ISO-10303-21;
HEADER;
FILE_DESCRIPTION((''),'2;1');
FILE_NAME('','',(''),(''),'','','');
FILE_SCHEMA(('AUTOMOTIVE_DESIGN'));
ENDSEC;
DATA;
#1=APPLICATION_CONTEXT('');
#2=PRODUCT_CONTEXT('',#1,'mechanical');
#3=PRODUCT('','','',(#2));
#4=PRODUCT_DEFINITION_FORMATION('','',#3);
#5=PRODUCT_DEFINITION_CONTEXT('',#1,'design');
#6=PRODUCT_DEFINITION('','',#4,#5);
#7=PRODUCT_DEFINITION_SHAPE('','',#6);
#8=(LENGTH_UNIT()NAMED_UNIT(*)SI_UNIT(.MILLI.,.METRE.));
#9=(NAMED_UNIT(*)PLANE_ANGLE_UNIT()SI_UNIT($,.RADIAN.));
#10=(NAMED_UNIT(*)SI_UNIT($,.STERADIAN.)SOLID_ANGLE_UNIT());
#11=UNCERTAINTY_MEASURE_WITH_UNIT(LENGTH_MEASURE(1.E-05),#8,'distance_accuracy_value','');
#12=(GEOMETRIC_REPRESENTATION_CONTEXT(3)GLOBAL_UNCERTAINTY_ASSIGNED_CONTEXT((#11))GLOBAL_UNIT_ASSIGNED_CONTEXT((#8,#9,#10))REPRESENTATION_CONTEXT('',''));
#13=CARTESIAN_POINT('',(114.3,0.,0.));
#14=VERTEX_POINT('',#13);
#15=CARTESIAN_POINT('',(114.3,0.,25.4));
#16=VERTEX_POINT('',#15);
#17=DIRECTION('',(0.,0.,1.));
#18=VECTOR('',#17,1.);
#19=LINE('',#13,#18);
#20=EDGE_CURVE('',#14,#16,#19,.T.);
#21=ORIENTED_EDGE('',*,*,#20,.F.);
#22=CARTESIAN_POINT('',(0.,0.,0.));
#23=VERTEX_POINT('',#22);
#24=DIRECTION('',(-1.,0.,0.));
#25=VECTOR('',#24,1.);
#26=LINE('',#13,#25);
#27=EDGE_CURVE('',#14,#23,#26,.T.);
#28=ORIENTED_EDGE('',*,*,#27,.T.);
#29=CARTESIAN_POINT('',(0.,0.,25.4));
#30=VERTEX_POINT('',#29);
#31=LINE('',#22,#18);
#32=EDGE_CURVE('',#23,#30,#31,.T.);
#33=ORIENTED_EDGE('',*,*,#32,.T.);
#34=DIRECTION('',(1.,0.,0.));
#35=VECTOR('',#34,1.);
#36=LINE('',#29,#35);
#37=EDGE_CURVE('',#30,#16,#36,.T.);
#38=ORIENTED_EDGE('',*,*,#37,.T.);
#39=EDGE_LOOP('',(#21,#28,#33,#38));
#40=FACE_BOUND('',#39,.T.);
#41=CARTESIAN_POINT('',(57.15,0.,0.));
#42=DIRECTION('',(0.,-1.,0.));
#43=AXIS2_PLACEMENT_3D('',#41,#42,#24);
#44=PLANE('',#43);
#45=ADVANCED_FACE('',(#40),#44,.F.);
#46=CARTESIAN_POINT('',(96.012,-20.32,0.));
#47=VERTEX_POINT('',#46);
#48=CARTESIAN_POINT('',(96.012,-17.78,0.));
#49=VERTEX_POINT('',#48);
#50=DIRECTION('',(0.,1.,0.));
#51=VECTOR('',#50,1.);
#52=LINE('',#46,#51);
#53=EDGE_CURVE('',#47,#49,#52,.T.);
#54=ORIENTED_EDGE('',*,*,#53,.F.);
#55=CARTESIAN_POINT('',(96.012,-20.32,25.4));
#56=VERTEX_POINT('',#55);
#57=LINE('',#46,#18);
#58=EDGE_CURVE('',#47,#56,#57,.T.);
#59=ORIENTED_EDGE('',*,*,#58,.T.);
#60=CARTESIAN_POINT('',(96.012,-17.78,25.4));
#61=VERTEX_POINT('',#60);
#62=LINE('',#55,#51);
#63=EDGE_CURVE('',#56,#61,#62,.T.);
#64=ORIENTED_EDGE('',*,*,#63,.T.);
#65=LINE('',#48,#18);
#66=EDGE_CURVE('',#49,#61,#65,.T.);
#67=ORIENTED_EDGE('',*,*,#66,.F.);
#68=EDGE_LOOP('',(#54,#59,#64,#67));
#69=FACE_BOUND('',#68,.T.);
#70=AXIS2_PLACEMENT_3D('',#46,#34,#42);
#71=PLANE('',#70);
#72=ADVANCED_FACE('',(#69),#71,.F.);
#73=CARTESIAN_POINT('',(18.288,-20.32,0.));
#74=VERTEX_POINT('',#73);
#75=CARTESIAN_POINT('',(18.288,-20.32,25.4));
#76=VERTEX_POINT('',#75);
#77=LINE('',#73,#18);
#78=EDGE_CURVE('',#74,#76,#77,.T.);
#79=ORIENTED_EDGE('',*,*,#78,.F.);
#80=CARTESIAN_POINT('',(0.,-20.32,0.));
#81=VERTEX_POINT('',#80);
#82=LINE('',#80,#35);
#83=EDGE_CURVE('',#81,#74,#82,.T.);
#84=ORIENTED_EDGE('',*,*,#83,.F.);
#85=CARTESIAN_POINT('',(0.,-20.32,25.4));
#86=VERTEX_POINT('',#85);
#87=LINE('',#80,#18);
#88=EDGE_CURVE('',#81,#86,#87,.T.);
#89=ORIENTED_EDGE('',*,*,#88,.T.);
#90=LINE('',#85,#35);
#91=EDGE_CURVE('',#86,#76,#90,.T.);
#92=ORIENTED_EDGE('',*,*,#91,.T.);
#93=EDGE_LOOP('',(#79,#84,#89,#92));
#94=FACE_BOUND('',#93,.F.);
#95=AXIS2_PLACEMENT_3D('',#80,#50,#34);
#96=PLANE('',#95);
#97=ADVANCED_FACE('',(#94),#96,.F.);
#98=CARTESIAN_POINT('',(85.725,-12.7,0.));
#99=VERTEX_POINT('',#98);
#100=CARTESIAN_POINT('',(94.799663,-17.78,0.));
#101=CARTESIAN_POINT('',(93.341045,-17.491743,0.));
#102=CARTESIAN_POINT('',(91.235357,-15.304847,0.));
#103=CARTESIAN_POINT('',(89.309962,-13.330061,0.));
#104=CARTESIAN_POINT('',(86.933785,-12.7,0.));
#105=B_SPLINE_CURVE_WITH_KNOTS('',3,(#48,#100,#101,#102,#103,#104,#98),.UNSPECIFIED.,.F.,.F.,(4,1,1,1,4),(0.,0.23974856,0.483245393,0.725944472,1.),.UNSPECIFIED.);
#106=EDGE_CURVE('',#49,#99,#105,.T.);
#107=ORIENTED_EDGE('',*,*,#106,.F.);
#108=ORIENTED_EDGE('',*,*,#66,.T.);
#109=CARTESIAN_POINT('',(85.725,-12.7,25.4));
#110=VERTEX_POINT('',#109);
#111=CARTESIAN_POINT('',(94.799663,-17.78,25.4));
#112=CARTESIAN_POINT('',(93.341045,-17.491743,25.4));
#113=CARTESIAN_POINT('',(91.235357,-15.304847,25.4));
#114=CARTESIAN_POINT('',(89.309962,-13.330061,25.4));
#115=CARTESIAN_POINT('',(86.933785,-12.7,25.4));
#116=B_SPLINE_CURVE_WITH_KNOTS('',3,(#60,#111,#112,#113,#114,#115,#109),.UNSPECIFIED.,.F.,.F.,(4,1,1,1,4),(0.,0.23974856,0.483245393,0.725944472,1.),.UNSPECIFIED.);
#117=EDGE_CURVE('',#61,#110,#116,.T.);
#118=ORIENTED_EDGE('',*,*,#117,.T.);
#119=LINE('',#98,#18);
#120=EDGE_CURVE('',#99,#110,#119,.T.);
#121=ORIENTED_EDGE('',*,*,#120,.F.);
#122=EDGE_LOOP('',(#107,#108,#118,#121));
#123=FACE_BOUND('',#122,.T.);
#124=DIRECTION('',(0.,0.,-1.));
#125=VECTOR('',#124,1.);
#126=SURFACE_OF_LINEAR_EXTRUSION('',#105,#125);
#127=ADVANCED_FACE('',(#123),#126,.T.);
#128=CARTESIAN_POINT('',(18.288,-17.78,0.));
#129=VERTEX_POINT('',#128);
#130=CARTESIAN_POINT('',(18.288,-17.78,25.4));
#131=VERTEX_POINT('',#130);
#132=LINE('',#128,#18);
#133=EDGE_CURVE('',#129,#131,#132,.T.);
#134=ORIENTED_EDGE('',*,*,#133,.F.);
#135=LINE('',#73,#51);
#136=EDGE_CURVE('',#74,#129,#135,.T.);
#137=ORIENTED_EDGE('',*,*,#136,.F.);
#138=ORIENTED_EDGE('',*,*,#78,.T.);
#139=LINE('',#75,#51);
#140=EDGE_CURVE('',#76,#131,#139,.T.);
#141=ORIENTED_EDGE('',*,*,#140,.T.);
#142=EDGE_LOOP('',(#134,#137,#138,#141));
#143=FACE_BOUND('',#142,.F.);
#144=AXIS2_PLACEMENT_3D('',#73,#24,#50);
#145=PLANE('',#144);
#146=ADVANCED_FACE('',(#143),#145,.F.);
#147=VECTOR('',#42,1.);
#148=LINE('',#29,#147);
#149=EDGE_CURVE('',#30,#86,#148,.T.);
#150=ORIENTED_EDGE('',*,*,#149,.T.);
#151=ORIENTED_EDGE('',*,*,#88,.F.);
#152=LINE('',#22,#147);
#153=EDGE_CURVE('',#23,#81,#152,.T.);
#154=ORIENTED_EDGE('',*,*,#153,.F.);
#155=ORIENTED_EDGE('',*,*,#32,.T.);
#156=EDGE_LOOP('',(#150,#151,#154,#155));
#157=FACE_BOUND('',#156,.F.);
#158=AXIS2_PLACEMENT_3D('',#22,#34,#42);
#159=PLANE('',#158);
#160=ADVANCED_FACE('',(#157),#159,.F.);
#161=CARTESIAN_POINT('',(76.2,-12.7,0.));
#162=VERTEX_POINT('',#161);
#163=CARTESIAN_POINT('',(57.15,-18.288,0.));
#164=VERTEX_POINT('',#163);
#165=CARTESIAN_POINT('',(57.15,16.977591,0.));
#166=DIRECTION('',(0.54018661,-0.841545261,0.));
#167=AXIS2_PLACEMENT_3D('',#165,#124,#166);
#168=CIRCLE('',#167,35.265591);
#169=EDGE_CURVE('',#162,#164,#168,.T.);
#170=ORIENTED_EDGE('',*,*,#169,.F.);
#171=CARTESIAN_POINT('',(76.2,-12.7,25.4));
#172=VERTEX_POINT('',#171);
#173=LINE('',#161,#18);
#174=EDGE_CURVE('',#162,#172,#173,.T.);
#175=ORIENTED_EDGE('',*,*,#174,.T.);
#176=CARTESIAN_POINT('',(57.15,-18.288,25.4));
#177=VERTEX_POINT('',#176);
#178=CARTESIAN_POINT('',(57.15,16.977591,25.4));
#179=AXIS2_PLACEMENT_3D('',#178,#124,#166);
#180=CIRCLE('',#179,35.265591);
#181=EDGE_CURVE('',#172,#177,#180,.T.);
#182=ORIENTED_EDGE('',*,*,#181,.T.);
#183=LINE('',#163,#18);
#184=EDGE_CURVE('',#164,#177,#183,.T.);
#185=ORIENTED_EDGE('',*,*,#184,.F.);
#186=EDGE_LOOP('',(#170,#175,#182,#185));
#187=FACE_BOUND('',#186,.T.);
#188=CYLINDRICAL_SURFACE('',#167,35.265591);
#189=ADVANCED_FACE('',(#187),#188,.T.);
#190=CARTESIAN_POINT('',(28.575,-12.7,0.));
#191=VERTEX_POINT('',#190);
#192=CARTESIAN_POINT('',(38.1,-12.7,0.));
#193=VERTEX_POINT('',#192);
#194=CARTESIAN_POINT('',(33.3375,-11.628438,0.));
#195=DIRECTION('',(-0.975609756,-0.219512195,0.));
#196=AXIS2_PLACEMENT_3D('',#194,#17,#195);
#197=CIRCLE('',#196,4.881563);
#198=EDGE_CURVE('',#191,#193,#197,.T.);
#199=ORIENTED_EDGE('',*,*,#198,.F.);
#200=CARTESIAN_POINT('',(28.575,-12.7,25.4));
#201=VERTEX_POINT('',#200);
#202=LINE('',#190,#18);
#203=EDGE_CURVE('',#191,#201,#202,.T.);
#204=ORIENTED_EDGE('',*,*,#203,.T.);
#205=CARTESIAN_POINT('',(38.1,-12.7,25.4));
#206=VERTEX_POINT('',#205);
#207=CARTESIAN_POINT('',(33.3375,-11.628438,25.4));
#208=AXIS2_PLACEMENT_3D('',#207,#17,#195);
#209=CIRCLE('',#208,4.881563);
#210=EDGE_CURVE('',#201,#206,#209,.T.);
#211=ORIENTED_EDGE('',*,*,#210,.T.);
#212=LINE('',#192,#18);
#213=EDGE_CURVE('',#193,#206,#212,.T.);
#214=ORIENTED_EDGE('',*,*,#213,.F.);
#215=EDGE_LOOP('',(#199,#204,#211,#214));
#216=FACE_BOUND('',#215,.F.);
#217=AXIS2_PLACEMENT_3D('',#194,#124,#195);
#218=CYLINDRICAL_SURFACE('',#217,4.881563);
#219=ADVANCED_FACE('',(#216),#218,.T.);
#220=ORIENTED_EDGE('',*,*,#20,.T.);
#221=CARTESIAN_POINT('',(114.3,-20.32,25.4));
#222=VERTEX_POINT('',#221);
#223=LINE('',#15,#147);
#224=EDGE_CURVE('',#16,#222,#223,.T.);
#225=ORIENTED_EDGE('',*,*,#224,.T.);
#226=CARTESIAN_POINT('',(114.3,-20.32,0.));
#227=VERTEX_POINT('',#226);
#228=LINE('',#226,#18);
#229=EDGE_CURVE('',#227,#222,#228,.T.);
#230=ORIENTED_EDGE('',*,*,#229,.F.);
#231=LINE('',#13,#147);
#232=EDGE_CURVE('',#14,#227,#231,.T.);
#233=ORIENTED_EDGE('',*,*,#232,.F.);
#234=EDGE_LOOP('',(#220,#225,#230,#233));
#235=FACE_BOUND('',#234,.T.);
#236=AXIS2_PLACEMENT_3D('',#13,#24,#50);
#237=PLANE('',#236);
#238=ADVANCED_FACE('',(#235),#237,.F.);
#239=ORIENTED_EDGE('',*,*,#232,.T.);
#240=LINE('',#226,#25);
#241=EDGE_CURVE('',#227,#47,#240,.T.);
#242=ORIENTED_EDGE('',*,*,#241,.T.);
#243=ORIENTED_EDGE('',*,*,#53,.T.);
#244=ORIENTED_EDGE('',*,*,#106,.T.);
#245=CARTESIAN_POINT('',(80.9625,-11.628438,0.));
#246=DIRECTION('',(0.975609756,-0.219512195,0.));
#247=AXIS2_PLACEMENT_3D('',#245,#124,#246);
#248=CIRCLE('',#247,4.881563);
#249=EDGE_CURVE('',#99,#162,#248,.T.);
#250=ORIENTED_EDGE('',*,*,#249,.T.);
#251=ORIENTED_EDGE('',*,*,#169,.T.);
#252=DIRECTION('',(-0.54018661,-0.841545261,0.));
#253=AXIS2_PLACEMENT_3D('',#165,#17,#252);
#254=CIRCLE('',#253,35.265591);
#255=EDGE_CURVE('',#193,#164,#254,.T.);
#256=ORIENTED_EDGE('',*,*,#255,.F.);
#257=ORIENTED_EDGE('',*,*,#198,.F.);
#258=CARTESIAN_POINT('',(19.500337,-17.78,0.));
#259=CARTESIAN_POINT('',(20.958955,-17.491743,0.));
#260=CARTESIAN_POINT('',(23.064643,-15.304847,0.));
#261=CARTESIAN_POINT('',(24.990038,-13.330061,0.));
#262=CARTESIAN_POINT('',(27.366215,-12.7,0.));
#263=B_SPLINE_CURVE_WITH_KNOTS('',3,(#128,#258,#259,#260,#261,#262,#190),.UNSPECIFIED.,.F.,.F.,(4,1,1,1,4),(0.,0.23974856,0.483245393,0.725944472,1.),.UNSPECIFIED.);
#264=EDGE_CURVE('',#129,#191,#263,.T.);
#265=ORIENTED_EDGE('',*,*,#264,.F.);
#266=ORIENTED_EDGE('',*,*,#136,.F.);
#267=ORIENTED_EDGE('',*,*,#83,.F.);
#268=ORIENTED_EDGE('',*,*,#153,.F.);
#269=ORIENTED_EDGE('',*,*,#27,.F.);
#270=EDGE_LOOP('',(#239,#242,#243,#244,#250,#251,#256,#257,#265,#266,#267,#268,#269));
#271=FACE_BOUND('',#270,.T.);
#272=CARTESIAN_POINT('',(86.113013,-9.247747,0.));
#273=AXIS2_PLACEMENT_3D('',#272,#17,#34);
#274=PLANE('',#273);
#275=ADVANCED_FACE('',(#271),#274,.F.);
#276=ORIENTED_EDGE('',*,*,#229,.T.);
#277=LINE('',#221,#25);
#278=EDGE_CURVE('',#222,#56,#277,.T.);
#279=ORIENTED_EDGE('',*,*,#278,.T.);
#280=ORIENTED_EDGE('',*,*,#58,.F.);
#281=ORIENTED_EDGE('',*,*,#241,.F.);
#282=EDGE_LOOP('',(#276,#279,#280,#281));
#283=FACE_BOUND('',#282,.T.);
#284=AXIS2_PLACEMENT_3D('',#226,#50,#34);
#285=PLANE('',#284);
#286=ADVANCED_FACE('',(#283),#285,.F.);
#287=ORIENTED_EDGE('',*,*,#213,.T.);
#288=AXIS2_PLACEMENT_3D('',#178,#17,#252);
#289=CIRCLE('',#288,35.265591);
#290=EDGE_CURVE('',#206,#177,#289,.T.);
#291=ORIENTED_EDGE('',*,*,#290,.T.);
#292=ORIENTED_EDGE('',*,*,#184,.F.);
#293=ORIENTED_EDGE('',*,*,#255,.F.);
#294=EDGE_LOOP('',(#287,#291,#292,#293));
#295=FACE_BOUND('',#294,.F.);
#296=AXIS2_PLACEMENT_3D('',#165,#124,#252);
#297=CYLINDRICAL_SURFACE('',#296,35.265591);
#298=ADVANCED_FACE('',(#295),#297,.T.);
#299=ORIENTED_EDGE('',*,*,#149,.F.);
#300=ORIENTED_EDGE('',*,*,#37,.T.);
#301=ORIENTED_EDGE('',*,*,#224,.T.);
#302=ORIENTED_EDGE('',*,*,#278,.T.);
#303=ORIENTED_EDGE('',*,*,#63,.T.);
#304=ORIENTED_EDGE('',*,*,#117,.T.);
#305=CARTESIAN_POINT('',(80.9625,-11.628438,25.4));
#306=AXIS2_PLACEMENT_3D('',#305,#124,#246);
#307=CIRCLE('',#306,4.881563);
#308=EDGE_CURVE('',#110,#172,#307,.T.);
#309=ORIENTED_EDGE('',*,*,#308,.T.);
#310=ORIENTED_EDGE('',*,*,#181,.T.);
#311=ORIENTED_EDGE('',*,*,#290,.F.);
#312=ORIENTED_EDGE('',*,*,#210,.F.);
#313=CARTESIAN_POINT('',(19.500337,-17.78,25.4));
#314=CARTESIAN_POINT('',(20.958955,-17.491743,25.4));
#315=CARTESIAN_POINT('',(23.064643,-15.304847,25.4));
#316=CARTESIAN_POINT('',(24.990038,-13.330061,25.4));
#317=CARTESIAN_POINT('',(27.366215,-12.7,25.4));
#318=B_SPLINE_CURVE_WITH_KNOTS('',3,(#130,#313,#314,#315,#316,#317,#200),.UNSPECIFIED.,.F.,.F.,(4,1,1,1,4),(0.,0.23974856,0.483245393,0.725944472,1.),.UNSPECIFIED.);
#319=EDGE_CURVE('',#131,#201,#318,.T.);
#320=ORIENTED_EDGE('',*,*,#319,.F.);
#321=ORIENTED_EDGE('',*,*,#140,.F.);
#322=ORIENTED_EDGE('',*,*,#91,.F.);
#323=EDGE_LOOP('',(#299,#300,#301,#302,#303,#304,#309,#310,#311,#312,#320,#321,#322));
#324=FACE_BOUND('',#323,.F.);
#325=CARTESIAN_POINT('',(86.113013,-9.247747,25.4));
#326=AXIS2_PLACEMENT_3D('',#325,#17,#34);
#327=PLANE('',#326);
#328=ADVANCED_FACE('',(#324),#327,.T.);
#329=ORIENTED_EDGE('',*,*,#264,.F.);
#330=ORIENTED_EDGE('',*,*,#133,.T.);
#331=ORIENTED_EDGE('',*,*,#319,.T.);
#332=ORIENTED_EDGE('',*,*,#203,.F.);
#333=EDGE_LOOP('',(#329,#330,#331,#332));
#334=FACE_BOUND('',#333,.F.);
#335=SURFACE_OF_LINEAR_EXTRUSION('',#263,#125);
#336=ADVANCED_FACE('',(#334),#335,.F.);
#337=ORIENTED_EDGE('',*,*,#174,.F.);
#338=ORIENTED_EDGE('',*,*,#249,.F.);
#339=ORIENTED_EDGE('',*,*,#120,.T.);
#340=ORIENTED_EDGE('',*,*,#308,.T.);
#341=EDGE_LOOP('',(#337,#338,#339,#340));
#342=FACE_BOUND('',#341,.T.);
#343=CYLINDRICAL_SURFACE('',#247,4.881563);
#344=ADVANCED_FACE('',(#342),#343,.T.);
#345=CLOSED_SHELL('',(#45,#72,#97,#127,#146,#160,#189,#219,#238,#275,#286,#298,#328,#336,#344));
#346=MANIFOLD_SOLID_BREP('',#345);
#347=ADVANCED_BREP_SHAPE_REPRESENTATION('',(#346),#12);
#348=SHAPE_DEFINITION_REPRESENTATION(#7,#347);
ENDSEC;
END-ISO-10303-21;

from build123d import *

# Parameters (mm, degrees)
F1_DEPTH = 25.4


with BuildPart() as f1:
    # F0 (on Top) → F1 (new body)
    with BuildSketch(Plane.XY):
        with BuildLine():
            Line((57.15, 0), (0, 0))
            Line((0, 0), (0, -20.32))
            Line((0, -20.32), (18.288, -20.32))
            Line((18.288, -20.32), (18.288, -17.78))
            add(Edge.make_bspline(
                [(18.288, -17.78), (19.5003372633, -17.78), (20.9589545485, -17.4917433662), (23.0646434791, -15.3048474183), (24.9900381466, -13.3300613523), (27.3662145743, -12.7), (28.575, -12.7)],
                knots=[0, 0, 0, 0, 0.2397485597, 0.4832453932, 0.7259444723, 1, 1, 1, 1], degree=3))
            ThreePointArc((28.575, -12.7), (33.3375, -16.51), (38.1, -12.7))
            ThreePointArc((38.1, -12.7), (47.2236683009, -16.8621762468), (57.15, -18.288))
            Line((57.15, -18.288), (57.15, 0))
        make_face()
    extrude(amount=F1_DEPTH)

    # F2: F1 across face


with BuildPart() as f1_1:
    add(f1.part)
    add(f1.part.mirror(Plane(origin=(57.15, -9.144, 12.7), x_dir=(0, 1, 0), z_dir=(1, 0, 0))))


solid = f1_1.part
